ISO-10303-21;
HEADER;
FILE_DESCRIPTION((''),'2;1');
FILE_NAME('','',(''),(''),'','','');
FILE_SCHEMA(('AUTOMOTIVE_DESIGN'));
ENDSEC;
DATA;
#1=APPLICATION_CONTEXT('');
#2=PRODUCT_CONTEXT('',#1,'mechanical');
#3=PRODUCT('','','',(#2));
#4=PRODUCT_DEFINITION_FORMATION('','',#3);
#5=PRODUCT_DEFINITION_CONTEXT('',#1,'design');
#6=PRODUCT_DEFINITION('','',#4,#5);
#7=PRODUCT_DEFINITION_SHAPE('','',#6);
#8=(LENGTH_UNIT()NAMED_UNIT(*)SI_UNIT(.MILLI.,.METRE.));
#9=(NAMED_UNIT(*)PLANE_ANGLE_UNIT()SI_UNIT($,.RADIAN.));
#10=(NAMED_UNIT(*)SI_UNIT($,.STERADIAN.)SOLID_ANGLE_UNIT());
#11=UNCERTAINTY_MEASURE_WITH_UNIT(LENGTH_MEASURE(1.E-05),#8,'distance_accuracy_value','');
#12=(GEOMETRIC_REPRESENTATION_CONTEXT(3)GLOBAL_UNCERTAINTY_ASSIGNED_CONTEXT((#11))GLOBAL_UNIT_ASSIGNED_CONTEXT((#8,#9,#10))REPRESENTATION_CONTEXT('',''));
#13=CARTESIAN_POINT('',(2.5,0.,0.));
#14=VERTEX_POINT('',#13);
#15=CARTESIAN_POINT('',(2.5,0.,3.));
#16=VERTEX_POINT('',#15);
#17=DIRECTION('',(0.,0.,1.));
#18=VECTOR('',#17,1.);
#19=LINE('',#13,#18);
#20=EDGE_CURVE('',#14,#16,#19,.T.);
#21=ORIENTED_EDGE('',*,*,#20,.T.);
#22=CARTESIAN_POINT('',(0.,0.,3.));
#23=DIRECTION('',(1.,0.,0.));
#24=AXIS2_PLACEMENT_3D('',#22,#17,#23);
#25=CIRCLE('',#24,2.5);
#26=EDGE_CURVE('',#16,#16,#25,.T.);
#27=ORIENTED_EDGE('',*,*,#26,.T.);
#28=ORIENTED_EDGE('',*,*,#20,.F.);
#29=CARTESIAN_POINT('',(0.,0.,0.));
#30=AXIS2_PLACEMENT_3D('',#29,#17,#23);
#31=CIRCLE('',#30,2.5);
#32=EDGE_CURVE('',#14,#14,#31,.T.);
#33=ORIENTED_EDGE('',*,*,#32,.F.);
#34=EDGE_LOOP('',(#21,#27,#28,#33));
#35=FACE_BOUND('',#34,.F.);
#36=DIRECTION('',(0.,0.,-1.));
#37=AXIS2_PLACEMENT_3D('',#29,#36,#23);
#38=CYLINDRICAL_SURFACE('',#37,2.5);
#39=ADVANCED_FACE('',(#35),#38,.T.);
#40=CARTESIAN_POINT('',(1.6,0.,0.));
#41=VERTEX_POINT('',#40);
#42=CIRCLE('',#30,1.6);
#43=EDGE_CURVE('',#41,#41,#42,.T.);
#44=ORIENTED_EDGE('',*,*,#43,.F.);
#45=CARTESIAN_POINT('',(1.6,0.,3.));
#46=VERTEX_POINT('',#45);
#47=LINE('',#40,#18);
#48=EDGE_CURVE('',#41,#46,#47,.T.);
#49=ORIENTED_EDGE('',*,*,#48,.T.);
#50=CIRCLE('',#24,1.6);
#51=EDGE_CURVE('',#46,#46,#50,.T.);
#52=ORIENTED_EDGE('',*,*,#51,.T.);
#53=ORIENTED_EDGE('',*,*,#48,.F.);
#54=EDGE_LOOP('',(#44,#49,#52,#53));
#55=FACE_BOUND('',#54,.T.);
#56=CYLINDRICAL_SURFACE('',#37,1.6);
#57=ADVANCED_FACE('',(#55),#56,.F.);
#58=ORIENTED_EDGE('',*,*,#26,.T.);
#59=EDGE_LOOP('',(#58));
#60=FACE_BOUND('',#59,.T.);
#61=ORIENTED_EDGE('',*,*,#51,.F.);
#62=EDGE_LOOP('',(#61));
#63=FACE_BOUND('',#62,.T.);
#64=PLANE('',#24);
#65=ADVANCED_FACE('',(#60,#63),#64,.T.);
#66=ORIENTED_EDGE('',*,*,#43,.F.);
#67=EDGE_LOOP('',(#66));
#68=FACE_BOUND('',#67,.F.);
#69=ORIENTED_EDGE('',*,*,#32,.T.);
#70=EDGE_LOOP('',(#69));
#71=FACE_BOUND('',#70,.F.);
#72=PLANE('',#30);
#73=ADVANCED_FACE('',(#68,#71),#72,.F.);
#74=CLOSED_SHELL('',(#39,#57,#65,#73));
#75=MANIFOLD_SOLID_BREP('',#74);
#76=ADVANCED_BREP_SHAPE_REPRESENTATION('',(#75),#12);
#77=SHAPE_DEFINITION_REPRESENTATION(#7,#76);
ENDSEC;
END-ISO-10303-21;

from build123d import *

# Parameters (mm, degrees)
SKETCH_R   = 2.5
SKETCH_R_2 = 1.6
PAD_DEPTH  = 3


with BuildPart() as part:
    # Sketch → Pad (new body)
    with BuildSketch(Plane.XY):
        Circle(SKETCH_R)
        Circle(SKETCH_R_2, mode=Mode.SUBTRACT)
    extrude(amount=PAD_DEPTH)


solid = part.part
